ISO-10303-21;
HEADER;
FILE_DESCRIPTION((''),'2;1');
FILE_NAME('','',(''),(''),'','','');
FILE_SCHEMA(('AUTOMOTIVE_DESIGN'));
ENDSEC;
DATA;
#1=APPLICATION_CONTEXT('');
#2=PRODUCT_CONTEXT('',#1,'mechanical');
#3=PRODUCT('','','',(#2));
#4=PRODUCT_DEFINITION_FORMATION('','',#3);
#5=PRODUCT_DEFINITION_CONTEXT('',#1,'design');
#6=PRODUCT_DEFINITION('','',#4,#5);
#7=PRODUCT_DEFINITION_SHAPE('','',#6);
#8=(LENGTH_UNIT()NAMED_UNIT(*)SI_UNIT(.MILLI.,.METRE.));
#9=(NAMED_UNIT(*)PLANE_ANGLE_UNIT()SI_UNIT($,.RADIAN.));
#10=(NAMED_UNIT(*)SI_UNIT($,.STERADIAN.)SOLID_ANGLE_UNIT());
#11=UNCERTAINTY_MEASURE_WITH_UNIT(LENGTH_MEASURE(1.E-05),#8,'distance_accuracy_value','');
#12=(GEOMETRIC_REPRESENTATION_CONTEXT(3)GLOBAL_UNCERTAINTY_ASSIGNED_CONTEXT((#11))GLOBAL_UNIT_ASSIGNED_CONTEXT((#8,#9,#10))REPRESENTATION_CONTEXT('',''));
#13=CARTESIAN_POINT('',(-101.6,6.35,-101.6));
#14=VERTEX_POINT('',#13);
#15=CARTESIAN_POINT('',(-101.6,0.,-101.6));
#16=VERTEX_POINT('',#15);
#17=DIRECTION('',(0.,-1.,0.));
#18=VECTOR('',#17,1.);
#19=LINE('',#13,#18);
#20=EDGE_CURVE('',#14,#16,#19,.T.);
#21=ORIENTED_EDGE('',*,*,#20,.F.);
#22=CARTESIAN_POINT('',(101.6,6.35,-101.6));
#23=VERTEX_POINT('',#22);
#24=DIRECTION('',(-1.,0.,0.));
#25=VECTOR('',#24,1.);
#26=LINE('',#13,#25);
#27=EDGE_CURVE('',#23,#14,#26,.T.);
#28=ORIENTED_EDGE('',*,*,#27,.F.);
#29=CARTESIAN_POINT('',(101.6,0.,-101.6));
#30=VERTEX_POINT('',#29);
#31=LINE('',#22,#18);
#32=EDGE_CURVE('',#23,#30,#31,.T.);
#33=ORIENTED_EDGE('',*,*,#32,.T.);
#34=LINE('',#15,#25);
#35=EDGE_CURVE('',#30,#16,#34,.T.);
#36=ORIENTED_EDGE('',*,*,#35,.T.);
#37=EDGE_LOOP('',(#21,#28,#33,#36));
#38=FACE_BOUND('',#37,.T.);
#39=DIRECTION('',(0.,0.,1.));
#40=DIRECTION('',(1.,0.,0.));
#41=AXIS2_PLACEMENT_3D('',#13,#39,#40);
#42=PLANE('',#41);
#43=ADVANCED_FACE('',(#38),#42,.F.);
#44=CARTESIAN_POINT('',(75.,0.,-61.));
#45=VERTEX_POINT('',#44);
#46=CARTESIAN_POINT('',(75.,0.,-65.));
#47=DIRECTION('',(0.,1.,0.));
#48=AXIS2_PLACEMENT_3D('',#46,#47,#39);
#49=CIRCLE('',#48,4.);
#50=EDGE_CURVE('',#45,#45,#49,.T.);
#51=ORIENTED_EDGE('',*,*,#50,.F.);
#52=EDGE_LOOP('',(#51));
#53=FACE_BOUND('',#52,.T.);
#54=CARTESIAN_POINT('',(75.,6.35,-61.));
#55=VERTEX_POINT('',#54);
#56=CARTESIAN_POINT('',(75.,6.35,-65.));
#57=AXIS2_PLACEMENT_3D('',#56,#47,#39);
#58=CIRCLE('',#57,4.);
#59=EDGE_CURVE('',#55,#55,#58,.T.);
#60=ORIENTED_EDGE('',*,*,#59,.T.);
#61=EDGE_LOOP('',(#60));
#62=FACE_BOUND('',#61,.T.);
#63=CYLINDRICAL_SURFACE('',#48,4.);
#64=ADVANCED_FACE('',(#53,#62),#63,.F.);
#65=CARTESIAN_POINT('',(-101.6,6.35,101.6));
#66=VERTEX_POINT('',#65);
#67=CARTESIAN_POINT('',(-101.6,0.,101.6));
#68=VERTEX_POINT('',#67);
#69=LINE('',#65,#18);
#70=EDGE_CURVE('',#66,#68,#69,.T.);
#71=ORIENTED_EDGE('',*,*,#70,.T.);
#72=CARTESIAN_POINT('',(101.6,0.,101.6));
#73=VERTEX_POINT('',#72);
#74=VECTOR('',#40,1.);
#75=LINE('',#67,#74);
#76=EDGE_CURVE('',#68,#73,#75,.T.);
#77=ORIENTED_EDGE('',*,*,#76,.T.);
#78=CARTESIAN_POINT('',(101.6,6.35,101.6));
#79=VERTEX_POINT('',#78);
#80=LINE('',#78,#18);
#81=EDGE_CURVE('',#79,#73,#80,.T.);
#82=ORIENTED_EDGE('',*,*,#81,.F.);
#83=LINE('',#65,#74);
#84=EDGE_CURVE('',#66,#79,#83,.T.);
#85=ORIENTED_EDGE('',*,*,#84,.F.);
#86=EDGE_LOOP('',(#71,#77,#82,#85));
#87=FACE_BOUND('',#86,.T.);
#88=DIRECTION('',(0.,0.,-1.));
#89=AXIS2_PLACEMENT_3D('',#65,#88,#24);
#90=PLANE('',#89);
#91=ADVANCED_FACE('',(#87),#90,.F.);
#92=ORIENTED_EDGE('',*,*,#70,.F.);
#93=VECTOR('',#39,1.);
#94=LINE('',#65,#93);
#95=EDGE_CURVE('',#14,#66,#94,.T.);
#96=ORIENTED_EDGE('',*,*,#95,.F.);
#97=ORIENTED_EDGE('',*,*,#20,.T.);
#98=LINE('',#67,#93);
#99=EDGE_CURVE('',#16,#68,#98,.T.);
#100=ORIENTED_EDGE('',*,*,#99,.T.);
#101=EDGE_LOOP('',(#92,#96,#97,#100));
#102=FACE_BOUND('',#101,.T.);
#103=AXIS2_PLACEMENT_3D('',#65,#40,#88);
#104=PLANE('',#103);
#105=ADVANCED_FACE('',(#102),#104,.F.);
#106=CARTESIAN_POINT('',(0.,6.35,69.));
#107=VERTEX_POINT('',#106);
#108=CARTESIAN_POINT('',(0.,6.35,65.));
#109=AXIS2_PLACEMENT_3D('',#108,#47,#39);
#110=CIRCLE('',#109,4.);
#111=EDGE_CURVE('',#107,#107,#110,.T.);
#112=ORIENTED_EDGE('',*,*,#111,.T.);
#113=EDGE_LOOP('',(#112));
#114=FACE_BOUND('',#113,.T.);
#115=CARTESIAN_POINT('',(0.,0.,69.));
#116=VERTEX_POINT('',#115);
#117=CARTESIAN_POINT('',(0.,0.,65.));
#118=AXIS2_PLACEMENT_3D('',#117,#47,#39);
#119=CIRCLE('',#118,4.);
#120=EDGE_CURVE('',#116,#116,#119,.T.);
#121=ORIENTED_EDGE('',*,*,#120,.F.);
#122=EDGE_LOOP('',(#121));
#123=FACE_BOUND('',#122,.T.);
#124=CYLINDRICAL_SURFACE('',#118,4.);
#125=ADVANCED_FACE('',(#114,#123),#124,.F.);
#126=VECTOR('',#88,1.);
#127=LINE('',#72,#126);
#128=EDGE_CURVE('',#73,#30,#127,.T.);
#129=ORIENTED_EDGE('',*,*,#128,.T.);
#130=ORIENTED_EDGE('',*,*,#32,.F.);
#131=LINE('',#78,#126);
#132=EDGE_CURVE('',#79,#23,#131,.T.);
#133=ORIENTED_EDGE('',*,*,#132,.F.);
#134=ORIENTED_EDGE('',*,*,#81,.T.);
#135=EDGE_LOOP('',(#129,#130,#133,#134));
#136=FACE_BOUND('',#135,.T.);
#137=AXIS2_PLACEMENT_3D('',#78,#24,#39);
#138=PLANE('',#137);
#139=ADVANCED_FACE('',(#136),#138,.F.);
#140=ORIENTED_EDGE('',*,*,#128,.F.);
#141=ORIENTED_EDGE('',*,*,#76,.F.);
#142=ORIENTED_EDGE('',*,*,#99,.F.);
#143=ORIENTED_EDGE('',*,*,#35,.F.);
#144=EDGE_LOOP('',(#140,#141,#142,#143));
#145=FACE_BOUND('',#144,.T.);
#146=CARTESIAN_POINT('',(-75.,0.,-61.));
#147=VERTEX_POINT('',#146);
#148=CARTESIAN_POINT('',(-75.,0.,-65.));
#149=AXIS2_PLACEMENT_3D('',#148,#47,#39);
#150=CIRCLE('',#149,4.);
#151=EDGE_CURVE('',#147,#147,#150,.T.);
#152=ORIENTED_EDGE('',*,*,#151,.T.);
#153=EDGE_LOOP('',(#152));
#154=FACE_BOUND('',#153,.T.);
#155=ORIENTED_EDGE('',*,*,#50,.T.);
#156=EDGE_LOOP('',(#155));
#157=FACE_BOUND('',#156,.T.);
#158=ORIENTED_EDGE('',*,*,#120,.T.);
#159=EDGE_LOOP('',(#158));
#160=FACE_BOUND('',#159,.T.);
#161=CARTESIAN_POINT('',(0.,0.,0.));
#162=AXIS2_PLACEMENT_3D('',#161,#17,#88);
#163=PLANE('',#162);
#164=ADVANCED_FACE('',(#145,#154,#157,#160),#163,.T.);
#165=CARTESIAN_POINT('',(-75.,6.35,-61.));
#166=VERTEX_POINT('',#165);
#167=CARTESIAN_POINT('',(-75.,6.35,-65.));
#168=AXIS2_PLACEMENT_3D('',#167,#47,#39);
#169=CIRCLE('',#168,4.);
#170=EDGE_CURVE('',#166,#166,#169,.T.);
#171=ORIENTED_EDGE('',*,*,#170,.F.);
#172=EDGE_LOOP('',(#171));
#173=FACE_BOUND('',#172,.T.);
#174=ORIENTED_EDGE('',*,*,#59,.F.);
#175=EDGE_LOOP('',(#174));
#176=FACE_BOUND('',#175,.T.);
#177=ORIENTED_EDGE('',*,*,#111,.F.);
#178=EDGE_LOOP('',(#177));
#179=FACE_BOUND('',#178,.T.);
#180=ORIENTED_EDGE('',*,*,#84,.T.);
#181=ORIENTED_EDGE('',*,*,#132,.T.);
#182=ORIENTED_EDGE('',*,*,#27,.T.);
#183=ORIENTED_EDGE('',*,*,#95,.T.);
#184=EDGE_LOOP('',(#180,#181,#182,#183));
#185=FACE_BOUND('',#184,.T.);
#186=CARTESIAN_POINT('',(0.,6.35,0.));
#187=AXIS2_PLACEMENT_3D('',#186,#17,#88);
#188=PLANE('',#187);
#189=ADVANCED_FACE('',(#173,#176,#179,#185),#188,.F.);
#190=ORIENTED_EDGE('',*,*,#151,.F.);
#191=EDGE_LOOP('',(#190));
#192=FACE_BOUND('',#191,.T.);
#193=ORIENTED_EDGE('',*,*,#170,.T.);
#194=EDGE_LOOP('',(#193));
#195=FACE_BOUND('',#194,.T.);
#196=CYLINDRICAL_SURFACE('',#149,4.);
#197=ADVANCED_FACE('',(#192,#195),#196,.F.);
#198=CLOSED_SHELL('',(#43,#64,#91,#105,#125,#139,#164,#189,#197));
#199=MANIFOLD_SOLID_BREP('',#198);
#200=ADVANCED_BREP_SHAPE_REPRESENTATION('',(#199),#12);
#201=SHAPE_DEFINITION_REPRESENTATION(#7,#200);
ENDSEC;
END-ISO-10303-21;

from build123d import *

# Parameters (mm, degrees)
ESQUISSE1_W             = 203.2
ESQUISSE1_H             = 203.2
BOSS_EXTRU_1_DEPTH      = 6.35
ESQUISSE2_R             = 4
ENL_V_MAT_EXTRU_1_DEPTH = 144.824345992


with BuildPart() as part:
    # Esquisse1 → Boss.-Extru.1 (new body)
    with BuildSketch(Plane(origin=(0, 0, 0), x_dir=(1, 0, 0), z_dir=(0, 1, 0))):
        Rectangle(ESQUISSE1_W, ESQUISSE1_H)
    extrude(amount=BOSS_EXTRU_1_DEPTH)

    # Esquisse2 → Enlèv. mat.-Extru.1 (cut, through all)
    with BuildSketch(Plane(origin=(0, 6.35, 0), x_dir=(1, 0, 0), z_dir=(0, 1, 0))):
        with Locations(Location((-75, 65, 0), (0, 0, 270))):
            Circle(ESQUISSE2_R)
        with Locations(Location((75, 65, 0), (0, 0, 270))):
            Circle(ESQUISSE2_R)
        with Locations(Location((0, -65, 0), (0, 0, 270))):
            Circle(ESQUISSE2_R)
    extrude(amount=-ENL_V_MAT_EXTRU_1_DEPTH, mode=Mode.SUBTRACT)


solid = part.part
